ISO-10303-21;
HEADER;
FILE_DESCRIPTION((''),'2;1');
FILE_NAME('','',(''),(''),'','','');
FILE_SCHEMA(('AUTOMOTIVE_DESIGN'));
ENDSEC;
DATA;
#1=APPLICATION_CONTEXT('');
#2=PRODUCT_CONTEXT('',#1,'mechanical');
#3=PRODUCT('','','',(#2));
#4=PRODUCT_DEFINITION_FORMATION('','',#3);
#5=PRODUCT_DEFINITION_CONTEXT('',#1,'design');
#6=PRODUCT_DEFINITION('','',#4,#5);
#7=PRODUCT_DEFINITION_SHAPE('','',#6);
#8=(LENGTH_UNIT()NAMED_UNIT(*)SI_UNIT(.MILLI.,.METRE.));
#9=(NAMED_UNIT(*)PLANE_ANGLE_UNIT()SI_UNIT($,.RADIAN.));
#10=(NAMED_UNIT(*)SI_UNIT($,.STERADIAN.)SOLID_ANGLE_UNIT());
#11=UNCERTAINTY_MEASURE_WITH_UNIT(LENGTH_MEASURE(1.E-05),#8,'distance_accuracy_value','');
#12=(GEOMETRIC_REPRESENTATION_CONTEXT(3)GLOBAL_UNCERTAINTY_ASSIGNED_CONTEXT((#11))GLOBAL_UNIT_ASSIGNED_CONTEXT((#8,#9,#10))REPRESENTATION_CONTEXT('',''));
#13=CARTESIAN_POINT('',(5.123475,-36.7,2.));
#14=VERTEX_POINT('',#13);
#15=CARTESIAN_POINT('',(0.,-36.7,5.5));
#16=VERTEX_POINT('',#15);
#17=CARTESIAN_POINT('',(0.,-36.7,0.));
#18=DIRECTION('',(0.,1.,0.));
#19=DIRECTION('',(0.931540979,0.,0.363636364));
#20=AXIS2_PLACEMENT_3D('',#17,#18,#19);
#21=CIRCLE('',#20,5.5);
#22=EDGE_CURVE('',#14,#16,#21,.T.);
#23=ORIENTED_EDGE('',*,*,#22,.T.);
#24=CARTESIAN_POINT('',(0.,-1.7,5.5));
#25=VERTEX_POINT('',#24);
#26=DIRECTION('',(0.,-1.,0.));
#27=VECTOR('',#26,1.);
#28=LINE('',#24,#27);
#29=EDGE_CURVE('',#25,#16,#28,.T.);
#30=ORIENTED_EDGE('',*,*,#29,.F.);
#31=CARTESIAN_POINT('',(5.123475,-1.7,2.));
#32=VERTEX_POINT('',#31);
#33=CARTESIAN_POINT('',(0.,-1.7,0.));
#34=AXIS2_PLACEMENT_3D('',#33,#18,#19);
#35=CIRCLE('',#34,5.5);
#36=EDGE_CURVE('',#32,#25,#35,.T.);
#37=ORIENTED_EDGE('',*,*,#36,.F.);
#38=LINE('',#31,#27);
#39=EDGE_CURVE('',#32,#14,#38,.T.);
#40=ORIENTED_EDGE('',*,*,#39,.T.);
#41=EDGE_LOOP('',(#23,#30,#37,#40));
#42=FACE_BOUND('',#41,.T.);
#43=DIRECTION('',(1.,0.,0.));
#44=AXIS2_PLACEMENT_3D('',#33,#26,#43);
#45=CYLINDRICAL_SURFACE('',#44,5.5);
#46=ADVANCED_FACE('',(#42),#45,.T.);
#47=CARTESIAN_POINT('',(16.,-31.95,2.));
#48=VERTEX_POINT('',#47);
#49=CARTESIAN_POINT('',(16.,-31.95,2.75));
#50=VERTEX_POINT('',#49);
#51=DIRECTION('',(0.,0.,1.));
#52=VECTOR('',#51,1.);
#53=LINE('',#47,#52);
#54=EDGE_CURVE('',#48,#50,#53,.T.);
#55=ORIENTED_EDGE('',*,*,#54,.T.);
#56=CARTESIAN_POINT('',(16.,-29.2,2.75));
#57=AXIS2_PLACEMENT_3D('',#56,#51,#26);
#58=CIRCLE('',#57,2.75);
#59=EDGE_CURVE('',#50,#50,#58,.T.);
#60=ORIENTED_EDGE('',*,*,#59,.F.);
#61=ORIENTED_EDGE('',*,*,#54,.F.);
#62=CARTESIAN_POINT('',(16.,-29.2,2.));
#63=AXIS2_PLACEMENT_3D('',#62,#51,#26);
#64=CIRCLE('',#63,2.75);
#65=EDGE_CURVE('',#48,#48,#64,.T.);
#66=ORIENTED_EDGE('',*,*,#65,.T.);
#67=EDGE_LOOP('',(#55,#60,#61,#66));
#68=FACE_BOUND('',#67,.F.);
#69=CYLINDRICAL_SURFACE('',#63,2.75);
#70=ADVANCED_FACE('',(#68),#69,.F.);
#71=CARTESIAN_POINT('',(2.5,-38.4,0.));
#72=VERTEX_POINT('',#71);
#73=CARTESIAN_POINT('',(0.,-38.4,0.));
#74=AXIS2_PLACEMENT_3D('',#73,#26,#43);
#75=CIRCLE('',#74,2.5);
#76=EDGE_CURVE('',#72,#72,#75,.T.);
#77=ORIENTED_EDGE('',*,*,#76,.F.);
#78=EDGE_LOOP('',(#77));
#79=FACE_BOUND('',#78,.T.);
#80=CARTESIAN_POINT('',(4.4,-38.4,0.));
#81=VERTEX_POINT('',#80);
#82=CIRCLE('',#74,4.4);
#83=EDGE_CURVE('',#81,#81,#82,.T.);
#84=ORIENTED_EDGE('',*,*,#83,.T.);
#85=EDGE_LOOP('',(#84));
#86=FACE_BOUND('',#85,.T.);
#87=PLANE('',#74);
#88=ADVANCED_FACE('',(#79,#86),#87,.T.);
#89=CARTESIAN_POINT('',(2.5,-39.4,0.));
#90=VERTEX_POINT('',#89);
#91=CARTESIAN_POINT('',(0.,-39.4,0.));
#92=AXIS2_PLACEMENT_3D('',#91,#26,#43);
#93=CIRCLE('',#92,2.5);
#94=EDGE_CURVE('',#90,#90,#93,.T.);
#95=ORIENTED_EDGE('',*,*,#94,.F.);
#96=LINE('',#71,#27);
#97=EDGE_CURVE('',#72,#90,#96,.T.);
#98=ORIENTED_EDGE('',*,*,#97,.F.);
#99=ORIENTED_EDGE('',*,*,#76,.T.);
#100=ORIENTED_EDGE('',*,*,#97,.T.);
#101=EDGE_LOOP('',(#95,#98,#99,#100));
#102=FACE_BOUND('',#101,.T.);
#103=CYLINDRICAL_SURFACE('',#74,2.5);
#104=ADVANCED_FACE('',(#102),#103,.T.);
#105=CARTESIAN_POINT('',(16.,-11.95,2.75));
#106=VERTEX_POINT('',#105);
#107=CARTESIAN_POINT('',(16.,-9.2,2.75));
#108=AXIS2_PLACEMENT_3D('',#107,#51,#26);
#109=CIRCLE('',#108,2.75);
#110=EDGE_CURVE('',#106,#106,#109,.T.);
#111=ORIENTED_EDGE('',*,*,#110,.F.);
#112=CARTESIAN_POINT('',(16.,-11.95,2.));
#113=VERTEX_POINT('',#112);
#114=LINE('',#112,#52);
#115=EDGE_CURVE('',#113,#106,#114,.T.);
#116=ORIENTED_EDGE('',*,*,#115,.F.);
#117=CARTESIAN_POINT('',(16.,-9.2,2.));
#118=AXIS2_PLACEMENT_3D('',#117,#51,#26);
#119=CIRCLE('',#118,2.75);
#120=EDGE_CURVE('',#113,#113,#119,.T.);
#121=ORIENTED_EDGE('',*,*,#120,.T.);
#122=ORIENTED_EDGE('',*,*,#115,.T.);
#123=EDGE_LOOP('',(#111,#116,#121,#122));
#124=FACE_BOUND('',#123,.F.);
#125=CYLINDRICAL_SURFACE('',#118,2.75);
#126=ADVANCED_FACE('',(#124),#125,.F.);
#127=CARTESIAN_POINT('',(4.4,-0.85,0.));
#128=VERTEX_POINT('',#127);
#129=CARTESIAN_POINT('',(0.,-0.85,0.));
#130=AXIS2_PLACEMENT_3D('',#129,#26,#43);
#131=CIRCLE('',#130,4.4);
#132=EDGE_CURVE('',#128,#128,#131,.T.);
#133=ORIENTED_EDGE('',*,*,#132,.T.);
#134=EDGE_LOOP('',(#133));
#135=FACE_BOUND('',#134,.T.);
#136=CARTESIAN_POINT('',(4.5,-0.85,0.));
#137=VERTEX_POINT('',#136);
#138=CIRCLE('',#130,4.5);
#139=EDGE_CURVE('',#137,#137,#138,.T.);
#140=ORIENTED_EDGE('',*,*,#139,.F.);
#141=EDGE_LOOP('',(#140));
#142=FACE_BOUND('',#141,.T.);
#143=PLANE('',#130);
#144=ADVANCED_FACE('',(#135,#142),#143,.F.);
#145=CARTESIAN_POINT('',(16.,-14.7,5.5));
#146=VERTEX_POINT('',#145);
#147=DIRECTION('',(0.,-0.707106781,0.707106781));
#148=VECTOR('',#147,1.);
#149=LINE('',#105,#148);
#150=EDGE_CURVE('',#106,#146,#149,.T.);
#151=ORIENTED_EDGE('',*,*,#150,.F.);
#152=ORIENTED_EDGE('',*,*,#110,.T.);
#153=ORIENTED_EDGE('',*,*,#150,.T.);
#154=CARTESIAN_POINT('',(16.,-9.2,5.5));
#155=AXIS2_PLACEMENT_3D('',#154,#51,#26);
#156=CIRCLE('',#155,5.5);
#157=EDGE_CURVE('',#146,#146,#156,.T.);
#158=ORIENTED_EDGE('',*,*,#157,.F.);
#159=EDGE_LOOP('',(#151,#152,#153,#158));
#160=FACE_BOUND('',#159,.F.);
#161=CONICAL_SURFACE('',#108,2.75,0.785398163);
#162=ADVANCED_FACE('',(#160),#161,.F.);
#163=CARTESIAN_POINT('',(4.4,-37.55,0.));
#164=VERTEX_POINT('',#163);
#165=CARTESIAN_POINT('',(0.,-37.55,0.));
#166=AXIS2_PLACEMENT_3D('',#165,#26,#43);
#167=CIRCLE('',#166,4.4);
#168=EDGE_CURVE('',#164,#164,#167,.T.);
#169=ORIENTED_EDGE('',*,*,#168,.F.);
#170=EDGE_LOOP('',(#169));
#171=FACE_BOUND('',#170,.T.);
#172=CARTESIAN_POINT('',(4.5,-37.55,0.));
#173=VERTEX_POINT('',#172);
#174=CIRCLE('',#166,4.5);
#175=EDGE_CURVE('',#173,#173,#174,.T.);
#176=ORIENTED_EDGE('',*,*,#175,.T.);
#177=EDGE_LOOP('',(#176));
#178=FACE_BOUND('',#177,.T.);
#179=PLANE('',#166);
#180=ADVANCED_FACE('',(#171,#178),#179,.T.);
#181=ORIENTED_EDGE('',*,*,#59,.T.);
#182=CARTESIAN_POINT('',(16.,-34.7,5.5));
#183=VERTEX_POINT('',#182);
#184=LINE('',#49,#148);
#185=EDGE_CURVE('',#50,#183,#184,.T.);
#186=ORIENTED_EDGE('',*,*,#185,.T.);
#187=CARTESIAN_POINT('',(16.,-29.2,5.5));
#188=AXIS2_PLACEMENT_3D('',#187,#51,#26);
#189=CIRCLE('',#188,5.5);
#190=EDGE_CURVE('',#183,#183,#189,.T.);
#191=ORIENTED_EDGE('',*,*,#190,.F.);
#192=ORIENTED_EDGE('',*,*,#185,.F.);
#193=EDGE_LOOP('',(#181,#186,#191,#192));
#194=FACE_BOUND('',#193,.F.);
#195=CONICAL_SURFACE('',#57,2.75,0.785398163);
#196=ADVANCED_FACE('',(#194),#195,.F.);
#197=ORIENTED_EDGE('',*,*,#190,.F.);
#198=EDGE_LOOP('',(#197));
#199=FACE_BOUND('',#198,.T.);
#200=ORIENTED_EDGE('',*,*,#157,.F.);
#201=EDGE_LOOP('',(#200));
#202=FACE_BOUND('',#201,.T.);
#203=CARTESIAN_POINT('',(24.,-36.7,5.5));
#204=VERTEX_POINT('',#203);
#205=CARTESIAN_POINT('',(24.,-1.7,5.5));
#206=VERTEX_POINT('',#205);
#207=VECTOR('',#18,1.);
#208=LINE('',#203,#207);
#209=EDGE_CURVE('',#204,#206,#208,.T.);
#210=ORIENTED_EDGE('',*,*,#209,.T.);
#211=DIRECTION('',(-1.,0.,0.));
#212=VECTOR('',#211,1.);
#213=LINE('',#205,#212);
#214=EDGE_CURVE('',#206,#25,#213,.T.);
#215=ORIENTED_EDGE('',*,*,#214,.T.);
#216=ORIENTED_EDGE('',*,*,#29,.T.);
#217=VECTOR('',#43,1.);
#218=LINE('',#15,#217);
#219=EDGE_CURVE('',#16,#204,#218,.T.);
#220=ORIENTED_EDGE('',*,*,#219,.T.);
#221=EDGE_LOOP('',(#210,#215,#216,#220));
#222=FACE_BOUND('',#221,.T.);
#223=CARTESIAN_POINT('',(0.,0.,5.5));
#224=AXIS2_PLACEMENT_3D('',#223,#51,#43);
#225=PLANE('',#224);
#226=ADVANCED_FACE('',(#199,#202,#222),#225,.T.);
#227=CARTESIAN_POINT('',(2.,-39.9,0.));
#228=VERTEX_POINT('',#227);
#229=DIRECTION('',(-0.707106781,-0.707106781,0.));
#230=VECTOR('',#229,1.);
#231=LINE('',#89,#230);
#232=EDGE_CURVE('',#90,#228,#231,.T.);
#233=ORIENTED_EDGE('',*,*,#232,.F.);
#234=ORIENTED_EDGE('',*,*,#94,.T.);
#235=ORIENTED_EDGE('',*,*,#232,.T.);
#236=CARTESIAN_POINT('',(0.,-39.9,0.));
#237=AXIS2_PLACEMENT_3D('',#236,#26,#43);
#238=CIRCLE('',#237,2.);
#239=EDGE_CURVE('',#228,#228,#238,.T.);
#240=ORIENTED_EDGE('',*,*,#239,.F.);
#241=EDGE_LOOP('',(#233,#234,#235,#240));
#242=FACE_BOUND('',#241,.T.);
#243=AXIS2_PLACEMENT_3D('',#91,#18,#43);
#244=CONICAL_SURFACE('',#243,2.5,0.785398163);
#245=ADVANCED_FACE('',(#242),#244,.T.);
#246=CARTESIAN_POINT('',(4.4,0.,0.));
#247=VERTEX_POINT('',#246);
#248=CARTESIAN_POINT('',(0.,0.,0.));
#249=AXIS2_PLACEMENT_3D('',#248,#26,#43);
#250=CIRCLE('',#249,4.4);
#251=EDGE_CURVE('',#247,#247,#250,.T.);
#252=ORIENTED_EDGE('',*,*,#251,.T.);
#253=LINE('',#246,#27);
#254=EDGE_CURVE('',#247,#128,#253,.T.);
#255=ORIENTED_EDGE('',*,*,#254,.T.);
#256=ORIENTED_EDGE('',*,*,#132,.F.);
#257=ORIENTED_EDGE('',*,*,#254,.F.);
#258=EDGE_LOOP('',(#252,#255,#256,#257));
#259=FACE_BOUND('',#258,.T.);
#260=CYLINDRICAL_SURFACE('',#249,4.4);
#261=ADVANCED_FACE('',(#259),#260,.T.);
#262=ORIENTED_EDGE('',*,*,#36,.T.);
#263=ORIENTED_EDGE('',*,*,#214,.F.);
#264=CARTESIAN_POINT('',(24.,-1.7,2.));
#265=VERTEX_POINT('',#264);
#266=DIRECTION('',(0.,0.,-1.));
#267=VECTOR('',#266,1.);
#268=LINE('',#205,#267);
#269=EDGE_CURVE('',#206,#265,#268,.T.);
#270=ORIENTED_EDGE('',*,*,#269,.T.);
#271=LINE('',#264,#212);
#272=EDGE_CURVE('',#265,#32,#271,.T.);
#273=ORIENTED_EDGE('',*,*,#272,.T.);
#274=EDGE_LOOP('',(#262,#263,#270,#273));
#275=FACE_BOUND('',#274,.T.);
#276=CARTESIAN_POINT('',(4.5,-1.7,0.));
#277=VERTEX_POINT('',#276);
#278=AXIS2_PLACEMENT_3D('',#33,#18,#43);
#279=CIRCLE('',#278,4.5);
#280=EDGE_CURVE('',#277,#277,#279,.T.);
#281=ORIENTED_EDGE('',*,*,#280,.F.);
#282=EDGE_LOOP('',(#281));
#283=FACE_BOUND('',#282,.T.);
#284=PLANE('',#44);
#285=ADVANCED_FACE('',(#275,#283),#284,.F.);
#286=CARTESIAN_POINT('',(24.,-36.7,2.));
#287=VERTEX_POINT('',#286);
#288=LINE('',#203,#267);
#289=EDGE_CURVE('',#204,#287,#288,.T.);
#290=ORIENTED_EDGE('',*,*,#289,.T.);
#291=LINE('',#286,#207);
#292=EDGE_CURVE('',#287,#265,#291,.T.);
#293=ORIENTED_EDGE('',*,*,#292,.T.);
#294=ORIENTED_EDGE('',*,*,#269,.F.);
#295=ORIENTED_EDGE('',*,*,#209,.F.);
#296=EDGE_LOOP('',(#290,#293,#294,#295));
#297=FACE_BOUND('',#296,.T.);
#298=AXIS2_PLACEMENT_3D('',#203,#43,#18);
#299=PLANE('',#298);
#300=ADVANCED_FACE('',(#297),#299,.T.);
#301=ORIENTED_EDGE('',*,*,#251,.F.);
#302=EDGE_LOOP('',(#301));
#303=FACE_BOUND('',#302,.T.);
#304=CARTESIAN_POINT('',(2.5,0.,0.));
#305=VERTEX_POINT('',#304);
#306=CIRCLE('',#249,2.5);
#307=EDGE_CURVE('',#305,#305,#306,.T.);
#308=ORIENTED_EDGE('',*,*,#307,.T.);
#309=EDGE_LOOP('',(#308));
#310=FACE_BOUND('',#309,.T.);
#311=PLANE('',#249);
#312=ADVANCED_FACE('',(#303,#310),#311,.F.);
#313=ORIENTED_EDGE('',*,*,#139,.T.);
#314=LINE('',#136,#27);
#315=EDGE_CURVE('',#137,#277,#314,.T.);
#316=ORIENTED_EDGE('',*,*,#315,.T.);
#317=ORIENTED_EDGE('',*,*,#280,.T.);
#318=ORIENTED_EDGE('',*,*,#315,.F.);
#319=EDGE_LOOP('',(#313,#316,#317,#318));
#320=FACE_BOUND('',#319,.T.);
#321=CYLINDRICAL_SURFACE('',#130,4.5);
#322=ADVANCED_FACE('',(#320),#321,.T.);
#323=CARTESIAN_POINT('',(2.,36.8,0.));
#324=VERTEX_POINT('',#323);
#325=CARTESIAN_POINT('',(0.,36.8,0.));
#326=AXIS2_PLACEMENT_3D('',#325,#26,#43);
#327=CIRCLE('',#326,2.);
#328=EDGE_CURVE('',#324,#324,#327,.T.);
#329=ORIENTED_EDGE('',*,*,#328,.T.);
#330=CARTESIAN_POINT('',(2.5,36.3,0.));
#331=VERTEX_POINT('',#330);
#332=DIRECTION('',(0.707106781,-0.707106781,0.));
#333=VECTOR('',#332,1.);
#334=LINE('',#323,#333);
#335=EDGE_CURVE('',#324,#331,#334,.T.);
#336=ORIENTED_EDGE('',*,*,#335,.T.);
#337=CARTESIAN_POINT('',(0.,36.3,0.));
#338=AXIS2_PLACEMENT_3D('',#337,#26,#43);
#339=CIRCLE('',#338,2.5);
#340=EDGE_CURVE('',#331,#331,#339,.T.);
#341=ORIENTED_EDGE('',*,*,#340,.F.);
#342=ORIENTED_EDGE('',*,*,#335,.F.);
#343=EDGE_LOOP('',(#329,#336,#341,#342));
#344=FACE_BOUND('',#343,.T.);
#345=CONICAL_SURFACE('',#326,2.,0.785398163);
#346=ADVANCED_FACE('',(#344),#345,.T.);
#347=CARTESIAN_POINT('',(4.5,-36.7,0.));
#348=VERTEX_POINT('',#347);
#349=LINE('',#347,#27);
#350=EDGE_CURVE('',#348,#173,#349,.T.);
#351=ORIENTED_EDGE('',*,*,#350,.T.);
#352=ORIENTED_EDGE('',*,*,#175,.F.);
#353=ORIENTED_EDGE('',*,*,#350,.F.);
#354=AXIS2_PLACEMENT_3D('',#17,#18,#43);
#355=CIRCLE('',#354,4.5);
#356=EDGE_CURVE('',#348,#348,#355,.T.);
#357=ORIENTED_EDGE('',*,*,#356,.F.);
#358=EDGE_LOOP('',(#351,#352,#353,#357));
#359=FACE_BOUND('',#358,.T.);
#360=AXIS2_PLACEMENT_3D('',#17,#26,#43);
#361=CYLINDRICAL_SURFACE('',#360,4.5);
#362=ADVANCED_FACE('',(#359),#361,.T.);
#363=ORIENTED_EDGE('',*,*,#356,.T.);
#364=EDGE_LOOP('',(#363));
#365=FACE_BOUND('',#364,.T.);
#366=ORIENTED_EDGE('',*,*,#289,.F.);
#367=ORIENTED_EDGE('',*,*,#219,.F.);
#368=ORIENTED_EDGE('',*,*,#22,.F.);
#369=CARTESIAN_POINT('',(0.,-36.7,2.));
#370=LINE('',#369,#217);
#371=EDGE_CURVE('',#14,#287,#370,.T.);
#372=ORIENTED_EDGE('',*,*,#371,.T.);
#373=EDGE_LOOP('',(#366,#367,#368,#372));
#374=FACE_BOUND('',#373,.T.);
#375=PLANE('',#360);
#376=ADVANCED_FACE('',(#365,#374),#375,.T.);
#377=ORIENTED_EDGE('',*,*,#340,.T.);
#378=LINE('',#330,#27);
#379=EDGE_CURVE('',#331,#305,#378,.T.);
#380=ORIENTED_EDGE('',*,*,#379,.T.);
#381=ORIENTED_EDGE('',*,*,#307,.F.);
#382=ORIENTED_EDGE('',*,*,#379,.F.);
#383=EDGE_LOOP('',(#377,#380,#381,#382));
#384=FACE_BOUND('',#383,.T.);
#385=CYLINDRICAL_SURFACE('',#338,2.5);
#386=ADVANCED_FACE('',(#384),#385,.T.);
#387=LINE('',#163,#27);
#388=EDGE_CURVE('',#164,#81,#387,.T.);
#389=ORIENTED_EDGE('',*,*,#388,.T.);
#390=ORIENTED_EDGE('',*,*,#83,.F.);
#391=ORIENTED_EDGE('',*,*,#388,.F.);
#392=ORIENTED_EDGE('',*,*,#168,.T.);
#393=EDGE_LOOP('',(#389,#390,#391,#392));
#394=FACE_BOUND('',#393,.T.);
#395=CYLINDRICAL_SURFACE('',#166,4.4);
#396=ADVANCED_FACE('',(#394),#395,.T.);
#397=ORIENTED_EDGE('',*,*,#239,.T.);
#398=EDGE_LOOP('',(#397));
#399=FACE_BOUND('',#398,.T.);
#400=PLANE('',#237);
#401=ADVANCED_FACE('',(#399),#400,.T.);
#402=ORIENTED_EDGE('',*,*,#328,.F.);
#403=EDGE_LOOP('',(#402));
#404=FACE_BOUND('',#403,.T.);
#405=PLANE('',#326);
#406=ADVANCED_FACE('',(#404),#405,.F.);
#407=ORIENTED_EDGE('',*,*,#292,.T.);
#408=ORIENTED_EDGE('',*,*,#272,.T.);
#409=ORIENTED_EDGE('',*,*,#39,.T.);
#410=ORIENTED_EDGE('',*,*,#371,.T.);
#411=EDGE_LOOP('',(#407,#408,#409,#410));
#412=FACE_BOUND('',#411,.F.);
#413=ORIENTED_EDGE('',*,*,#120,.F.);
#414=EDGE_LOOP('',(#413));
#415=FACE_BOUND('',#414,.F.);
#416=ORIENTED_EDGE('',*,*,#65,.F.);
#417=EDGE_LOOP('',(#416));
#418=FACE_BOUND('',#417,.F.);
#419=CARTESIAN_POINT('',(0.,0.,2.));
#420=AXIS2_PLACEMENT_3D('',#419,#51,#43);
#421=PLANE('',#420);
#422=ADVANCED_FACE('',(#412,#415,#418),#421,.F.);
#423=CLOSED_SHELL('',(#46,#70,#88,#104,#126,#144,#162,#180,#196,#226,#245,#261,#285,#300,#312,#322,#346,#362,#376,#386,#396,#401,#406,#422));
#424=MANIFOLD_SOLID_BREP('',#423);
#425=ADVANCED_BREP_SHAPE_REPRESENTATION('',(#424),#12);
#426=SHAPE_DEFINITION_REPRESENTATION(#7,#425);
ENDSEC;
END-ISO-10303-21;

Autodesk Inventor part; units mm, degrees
sketch "Sketch_1" plane through (0, 0, 0) normal (0, 0, 1) x (1, 0, 0)
  line L0 (0, -39.9) -> (0, 36.8)
  line L1 (0, 36.8) -> (2, 36.8)
  line L2 (2, 36.8) -> (2.5, 36.3)
  line L3 (2.5, 36.3) -> (2.5, 0)
  line L4 (2.5, 0) -> (4.4, 0)
  line L5 (4.4, 0) -> (4.4, -0.85)
  line L6 (4.4, -0.85) -> (4.5, -0.85)
  line L7 (4.5, -0.85) -> (4.5, -1.7)
  line L8 (4.5, -1.7) -> (5.5, -1.7)
  line L9 (5.5, -1.7) -> (5.5, -36.7)
  line L10 (5.5, -36.7) -> (4.5, -36.7)
  line L11 (4.5, -36.7) -> (4.5, -37.55)
  line L12 (4.5, -37.55) -> (4.4, -37.55)
  line L13 (4.4, -37.55) -> (4.4, -38.4)
  line L14 (4.4, -38.4) -> (2.5, -38.4)
  line L15 (2.5, -38.4) -> (2.5, -39.4)
  line L16 (2.5, -39.4) -> (2, -39.9)
  line L17 (2, -39.9) -> (0, -39.9)
  line L18 (0, -39.9) -> (0, 36.8)
revolve "Revolution1" add sketch "Sketch_1" angle 360 about axis through (0, -39.9, 0) along (0, -1, 0)
sketch "Sketch_2" plane through (0, 0, 5.5) normal (0, 0, 1) x (1, 0, 0)
  line L0 (0, -1.7) -> (0, -36.7)
  line L1 (0, -36.7) -> (24, -36.7)
  line L2 (24, -36.7) -> (24, -1.7)
  line L3 (24, -1.7) -> (0, -1.7)
extrude "Extrusion1" add sketch "Sketch_2" against normal blind 3.5
sketch "Sketch_4" plane through (16, 0, 0) normal (1, 0, 0) x (0, 0, -1)
  line L0 (-5.5, -9.2) -> (-2, -9.2)
  line L1 (-2, -9.2) -> (-2, -11.95)
  line L2 (-2, -11.95) -> (-2.75, -11.95)
  line L3 (-2.75, -11.95) -> (-5.5, -14.7)
  line L4 (-5.5, -14.7) -> (-5.5, -9.2)
  line L5 (-5.5, -9.2) -> (-2, -9.2)
revolve "Revolution2" cut sketch "Sketch_4" angle 360 about axis through (16, -9.2, 5.5) along (0, 0, 1)
sketch "Sketch_5" plane through (16, 0, 0) normal (1, 0, 0) x (0, 0, -1)
  line L0 (-5.5, -29.2) -> (-2, -29.2)
  line L1 (-2, -29.2) -> (-2, -31.95)
  line L2 (-2, -31.95) -> (-2.75, -31.95)
  line L3 (-2.75, -31.95) -> (-5.5, -34.7)
  line L4 (-5.5, -34.7) -> (-5.5, -29.2)
  line L5 (-5.5, -29.2) -> (-2, -29.2)
revolve "Revolution3" cut sketch "Sketch_5" angle 360 about axis through (16, -29.2, 5.5) along (0, 0, 1)
ref_plane "1_XY" through (0, 0, 0) normal (0, 1, 0) x (1, 0, 0)
ref_plane "1_YZ" through (0, 0, 0) normal (1, 0, 0) x (0, 0, -1)
ref_plane "1_ZX" through (0, 0, 0) normal (0, 0, -1) x (0, 1, 0)
ref_plane "to_bolt1_XY" through (16, -9.2, 5.5) normal (0, 0, 1) x (1, 0, 0)
ref_plane "to_bolt1_YZ" through (16, -9.2, 5.5) normal (1, 0, 0) x (0, 1, 0)
ref_plane "to_bolt1_ZX" through (16, -9.2, 5.5) normal (0, 1, 0) x (0, 0, 1)
ref_plane "to_bolt2_XY" through (16, -29.2, 5.5) normal (0, 0, 1) x (1, 0, 0)
ref_plane "to_bolt2_YZ" through (16, -29.2, 5.5) normal (1, 0, 0) x (0, 1, 0)
ref_plane "to_bolt2_ZX" through (16, -29.2, 5.5) normal (0, 1, 0) x (0, 0, 1)
ref_plane "to_bolt1_r_XY" through (-16, -9.2, 5.5) normal (0, 0, 1) x (1, 0, 0)
ref_plane "to_bolt1_r_YZ" through (-16, -9.2, 5.5) normal (1, 0, 0) x (0, 1, 0)
ref_plane "to_bolt1_r_ZX" through (-16, -9.2, 5.5) normal (0, 1, 0) x (0, 0, 1)
ref_plane "to_bolt2_r_XY" through (-16, -29.2, 5.5) normal (0, 0, 1) x (1, 0, 0)
ref_plane "to_bolt2_r_YZ" through (-16, -29.2, 5.5) normal (1, 0, 0) x (0, 1, 0)
ref_plane "to_bolt2_r_ZX" through (-16, -29.2, 5.5) normal (0, 1, 0) x (0, 0, 1)
properties part number "HHPFLN5-1"
